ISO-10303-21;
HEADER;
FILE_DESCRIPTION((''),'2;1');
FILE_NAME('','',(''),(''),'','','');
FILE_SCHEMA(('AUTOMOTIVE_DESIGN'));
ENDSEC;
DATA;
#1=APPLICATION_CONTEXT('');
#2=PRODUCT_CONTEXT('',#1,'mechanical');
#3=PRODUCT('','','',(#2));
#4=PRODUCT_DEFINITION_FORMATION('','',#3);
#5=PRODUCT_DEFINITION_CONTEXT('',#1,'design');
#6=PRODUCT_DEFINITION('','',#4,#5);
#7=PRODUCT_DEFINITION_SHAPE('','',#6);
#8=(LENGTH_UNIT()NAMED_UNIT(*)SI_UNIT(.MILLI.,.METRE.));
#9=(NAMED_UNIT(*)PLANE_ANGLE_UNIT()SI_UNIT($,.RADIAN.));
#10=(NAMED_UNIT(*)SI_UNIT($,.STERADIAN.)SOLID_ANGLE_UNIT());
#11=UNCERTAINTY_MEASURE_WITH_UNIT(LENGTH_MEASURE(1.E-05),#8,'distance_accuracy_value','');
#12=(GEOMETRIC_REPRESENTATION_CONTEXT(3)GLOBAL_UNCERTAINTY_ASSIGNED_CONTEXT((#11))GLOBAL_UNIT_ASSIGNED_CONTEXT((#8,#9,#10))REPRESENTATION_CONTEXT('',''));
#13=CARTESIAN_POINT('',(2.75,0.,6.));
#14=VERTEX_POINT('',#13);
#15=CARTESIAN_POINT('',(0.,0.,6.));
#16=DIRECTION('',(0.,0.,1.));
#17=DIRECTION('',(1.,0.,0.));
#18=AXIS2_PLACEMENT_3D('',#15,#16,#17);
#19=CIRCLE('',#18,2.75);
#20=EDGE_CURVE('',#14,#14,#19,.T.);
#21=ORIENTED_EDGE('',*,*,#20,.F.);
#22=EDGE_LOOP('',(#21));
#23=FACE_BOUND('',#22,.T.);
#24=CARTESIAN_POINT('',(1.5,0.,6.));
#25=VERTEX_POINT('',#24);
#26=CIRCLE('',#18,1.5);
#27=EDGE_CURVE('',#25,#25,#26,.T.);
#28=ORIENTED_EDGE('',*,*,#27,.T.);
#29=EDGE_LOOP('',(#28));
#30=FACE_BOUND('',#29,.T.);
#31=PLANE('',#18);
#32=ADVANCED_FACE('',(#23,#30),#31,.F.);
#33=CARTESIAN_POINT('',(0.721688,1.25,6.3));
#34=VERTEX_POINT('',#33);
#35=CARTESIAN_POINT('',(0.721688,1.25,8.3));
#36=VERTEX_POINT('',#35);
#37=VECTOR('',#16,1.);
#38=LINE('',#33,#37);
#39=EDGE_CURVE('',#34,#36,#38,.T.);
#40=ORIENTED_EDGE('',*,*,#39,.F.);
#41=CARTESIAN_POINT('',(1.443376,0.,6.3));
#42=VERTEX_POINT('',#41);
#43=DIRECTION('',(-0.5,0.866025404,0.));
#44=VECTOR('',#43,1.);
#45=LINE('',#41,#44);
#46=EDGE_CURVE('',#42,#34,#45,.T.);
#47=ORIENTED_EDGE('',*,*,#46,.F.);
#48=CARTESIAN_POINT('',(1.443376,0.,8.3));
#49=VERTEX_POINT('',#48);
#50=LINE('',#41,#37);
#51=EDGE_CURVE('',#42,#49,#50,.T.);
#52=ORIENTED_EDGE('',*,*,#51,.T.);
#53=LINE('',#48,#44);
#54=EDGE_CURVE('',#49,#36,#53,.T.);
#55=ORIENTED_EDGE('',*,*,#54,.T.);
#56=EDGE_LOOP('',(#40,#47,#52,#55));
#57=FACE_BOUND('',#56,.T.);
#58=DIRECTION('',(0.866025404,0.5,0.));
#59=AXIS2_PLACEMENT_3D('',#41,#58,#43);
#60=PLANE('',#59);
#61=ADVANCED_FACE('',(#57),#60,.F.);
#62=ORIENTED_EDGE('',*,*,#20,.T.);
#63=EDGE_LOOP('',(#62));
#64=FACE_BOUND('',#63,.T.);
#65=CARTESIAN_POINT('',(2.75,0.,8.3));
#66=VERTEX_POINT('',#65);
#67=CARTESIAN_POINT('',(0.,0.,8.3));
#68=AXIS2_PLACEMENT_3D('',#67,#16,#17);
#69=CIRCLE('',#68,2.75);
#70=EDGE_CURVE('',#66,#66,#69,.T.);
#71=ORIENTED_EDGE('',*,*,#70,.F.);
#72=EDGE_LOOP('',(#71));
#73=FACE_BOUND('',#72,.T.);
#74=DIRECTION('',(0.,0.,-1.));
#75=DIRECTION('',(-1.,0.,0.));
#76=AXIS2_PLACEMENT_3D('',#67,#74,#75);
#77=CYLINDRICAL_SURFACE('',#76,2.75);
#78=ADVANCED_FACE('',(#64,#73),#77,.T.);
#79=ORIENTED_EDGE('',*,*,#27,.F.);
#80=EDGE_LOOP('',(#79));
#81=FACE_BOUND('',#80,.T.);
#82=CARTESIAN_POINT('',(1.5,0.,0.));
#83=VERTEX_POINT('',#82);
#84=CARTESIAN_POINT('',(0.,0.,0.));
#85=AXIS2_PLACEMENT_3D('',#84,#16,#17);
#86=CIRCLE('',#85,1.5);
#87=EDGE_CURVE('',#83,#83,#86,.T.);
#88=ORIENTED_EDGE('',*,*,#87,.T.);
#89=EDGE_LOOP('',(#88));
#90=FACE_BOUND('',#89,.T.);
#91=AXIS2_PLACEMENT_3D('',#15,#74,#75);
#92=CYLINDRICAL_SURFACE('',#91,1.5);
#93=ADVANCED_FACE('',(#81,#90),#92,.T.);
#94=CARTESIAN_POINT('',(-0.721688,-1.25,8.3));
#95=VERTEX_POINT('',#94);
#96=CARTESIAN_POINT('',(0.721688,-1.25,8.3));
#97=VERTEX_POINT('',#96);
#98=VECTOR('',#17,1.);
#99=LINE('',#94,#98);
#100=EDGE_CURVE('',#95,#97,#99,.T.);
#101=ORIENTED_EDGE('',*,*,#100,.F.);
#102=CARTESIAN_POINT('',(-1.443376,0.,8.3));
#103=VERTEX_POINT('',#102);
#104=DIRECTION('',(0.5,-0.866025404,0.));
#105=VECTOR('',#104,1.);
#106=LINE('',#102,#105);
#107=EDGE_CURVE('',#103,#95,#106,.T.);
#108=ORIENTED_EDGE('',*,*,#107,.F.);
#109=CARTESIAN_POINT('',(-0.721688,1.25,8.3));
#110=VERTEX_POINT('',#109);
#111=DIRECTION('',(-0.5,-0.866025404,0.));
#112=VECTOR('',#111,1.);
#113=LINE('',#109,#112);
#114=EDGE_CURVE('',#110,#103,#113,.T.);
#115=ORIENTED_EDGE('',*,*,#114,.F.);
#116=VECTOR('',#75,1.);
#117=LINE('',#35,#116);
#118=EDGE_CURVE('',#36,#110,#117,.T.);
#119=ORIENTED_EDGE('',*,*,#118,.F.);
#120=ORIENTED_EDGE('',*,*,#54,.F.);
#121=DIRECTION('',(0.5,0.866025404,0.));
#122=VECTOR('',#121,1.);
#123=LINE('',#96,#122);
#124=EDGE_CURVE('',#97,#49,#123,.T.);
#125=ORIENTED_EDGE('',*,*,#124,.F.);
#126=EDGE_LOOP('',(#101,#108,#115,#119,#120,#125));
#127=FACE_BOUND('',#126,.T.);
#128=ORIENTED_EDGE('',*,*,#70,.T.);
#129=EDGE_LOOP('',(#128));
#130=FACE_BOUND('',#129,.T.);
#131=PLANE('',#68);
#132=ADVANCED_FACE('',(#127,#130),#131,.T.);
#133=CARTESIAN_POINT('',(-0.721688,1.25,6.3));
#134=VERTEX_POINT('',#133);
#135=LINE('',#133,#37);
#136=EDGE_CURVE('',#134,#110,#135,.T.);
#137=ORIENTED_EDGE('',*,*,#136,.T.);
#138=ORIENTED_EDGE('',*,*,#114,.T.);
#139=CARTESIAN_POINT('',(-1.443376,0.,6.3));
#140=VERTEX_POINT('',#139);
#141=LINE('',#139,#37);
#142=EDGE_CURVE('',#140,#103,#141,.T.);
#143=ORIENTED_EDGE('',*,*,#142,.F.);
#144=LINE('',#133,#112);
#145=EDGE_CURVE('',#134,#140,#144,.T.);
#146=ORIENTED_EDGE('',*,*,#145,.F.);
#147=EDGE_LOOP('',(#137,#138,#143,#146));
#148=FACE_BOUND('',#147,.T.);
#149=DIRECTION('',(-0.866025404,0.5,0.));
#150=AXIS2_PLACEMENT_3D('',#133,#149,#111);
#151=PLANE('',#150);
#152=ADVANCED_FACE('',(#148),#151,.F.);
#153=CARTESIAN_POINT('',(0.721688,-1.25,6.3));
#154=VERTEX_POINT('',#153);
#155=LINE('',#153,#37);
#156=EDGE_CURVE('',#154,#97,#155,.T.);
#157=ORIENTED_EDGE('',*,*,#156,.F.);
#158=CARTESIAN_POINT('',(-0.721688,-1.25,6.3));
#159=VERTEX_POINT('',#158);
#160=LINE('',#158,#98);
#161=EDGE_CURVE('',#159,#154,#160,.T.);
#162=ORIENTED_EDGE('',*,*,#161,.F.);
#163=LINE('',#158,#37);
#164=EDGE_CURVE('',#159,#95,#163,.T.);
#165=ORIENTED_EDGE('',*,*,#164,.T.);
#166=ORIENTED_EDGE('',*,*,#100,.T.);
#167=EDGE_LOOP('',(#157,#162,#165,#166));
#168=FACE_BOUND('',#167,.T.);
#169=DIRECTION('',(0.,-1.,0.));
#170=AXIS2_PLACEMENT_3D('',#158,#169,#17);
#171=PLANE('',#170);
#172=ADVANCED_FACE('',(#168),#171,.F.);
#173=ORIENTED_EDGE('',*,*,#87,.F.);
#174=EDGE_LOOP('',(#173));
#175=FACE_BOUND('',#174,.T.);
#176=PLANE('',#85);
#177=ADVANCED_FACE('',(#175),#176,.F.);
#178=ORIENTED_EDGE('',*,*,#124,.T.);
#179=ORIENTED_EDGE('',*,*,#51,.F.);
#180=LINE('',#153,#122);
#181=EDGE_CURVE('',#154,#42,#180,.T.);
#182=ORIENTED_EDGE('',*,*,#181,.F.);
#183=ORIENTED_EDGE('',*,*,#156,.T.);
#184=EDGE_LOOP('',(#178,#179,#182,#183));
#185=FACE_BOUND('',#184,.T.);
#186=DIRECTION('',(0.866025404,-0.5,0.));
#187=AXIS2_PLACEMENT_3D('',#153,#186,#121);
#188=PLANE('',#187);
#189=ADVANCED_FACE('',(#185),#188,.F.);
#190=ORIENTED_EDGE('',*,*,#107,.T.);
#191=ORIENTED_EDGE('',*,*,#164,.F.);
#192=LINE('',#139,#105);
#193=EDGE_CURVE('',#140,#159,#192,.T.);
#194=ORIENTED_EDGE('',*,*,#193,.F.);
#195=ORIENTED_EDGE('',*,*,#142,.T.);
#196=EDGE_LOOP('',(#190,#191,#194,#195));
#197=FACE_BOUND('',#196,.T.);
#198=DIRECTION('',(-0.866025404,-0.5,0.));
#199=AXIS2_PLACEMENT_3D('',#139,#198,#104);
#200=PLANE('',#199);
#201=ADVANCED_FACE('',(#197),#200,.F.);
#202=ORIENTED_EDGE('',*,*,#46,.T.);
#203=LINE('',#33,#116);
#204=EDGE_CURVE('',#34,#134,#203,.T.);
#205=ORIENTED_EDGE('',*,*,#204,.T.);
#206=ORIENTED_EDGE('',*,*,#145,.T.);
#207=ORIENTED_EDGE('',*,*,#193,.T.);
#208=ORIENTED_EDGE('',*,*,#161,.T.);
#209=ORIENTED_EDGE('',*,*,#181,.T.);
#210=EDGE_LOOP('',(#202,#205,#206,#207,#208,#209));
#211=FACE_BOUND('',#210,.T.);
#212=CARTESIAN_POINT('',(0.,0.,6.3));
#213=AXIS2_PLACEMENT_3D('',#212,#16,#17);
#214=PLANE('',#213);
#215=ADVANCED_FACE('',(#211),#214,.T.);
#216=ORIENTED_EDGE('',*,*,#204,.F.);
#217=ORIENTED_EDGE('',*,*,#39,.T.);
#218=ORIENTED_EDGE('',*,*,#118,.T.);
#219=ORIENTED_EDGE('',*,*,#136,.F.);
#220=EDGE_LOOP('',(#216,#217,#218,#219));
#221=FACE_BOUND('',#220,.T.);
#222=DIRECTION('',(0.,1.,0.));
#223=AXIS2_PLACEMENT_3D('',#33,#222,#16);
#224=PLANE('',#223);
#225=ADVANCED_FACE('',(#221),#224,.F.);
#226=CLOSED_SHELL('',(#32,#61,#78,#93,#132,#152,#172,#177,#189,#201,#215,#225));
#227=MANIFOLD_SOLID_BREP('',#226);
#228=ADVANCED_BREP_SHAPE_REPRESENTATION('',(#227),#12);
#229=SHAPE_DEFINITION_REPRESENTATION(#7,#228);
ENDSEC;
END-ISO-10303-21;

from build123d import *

# Parameters (mm, degrees)
ESQUISSE1_R             = 1.5
BOSS_EXTRU_1_DEPTH      = 6
ESQUISSE2_R             = 2.75
BOSS_EXTRU_2_DEPTH      = 2.3
ENL_V_MAT_EXTRU_1_DEPTH = 2


with BuildPart() as part:
    # Esquisse1 → Boss.-Extru.1 (new body)
    with BuildSketch(Plane.XY):
        Circle(ESQUISSE1_R)
    extrude(amount=BOSS_EXTRU_1_DEPTH)

    # Esquisse2 → Boss.-Extru.2 (add)
    with BuildSketch(Plane.XY.offset(6)):
        Circle(ESQUISSE2_R)
    extrude(amount=BOSS_EXTRU_2_DEPTH)

    # Esquisse3 → Enlèv. mat.-Extru.1 (cut)
    with BuildSketch(Plane.XY.offset(8.3)):
        Polygon((1.443375673, 0), (0.721687836, 1.25), (-0.721687836, 1.25), (-1.443375673, 0), (-0.721687836, -1.25), (0.721687836, -1.25), align=None)
    extrude(amount=-ENL_V_MAT_EXTRU_1_DEPTH, mode=Mode.SUBTRACT)


solid = part.part
